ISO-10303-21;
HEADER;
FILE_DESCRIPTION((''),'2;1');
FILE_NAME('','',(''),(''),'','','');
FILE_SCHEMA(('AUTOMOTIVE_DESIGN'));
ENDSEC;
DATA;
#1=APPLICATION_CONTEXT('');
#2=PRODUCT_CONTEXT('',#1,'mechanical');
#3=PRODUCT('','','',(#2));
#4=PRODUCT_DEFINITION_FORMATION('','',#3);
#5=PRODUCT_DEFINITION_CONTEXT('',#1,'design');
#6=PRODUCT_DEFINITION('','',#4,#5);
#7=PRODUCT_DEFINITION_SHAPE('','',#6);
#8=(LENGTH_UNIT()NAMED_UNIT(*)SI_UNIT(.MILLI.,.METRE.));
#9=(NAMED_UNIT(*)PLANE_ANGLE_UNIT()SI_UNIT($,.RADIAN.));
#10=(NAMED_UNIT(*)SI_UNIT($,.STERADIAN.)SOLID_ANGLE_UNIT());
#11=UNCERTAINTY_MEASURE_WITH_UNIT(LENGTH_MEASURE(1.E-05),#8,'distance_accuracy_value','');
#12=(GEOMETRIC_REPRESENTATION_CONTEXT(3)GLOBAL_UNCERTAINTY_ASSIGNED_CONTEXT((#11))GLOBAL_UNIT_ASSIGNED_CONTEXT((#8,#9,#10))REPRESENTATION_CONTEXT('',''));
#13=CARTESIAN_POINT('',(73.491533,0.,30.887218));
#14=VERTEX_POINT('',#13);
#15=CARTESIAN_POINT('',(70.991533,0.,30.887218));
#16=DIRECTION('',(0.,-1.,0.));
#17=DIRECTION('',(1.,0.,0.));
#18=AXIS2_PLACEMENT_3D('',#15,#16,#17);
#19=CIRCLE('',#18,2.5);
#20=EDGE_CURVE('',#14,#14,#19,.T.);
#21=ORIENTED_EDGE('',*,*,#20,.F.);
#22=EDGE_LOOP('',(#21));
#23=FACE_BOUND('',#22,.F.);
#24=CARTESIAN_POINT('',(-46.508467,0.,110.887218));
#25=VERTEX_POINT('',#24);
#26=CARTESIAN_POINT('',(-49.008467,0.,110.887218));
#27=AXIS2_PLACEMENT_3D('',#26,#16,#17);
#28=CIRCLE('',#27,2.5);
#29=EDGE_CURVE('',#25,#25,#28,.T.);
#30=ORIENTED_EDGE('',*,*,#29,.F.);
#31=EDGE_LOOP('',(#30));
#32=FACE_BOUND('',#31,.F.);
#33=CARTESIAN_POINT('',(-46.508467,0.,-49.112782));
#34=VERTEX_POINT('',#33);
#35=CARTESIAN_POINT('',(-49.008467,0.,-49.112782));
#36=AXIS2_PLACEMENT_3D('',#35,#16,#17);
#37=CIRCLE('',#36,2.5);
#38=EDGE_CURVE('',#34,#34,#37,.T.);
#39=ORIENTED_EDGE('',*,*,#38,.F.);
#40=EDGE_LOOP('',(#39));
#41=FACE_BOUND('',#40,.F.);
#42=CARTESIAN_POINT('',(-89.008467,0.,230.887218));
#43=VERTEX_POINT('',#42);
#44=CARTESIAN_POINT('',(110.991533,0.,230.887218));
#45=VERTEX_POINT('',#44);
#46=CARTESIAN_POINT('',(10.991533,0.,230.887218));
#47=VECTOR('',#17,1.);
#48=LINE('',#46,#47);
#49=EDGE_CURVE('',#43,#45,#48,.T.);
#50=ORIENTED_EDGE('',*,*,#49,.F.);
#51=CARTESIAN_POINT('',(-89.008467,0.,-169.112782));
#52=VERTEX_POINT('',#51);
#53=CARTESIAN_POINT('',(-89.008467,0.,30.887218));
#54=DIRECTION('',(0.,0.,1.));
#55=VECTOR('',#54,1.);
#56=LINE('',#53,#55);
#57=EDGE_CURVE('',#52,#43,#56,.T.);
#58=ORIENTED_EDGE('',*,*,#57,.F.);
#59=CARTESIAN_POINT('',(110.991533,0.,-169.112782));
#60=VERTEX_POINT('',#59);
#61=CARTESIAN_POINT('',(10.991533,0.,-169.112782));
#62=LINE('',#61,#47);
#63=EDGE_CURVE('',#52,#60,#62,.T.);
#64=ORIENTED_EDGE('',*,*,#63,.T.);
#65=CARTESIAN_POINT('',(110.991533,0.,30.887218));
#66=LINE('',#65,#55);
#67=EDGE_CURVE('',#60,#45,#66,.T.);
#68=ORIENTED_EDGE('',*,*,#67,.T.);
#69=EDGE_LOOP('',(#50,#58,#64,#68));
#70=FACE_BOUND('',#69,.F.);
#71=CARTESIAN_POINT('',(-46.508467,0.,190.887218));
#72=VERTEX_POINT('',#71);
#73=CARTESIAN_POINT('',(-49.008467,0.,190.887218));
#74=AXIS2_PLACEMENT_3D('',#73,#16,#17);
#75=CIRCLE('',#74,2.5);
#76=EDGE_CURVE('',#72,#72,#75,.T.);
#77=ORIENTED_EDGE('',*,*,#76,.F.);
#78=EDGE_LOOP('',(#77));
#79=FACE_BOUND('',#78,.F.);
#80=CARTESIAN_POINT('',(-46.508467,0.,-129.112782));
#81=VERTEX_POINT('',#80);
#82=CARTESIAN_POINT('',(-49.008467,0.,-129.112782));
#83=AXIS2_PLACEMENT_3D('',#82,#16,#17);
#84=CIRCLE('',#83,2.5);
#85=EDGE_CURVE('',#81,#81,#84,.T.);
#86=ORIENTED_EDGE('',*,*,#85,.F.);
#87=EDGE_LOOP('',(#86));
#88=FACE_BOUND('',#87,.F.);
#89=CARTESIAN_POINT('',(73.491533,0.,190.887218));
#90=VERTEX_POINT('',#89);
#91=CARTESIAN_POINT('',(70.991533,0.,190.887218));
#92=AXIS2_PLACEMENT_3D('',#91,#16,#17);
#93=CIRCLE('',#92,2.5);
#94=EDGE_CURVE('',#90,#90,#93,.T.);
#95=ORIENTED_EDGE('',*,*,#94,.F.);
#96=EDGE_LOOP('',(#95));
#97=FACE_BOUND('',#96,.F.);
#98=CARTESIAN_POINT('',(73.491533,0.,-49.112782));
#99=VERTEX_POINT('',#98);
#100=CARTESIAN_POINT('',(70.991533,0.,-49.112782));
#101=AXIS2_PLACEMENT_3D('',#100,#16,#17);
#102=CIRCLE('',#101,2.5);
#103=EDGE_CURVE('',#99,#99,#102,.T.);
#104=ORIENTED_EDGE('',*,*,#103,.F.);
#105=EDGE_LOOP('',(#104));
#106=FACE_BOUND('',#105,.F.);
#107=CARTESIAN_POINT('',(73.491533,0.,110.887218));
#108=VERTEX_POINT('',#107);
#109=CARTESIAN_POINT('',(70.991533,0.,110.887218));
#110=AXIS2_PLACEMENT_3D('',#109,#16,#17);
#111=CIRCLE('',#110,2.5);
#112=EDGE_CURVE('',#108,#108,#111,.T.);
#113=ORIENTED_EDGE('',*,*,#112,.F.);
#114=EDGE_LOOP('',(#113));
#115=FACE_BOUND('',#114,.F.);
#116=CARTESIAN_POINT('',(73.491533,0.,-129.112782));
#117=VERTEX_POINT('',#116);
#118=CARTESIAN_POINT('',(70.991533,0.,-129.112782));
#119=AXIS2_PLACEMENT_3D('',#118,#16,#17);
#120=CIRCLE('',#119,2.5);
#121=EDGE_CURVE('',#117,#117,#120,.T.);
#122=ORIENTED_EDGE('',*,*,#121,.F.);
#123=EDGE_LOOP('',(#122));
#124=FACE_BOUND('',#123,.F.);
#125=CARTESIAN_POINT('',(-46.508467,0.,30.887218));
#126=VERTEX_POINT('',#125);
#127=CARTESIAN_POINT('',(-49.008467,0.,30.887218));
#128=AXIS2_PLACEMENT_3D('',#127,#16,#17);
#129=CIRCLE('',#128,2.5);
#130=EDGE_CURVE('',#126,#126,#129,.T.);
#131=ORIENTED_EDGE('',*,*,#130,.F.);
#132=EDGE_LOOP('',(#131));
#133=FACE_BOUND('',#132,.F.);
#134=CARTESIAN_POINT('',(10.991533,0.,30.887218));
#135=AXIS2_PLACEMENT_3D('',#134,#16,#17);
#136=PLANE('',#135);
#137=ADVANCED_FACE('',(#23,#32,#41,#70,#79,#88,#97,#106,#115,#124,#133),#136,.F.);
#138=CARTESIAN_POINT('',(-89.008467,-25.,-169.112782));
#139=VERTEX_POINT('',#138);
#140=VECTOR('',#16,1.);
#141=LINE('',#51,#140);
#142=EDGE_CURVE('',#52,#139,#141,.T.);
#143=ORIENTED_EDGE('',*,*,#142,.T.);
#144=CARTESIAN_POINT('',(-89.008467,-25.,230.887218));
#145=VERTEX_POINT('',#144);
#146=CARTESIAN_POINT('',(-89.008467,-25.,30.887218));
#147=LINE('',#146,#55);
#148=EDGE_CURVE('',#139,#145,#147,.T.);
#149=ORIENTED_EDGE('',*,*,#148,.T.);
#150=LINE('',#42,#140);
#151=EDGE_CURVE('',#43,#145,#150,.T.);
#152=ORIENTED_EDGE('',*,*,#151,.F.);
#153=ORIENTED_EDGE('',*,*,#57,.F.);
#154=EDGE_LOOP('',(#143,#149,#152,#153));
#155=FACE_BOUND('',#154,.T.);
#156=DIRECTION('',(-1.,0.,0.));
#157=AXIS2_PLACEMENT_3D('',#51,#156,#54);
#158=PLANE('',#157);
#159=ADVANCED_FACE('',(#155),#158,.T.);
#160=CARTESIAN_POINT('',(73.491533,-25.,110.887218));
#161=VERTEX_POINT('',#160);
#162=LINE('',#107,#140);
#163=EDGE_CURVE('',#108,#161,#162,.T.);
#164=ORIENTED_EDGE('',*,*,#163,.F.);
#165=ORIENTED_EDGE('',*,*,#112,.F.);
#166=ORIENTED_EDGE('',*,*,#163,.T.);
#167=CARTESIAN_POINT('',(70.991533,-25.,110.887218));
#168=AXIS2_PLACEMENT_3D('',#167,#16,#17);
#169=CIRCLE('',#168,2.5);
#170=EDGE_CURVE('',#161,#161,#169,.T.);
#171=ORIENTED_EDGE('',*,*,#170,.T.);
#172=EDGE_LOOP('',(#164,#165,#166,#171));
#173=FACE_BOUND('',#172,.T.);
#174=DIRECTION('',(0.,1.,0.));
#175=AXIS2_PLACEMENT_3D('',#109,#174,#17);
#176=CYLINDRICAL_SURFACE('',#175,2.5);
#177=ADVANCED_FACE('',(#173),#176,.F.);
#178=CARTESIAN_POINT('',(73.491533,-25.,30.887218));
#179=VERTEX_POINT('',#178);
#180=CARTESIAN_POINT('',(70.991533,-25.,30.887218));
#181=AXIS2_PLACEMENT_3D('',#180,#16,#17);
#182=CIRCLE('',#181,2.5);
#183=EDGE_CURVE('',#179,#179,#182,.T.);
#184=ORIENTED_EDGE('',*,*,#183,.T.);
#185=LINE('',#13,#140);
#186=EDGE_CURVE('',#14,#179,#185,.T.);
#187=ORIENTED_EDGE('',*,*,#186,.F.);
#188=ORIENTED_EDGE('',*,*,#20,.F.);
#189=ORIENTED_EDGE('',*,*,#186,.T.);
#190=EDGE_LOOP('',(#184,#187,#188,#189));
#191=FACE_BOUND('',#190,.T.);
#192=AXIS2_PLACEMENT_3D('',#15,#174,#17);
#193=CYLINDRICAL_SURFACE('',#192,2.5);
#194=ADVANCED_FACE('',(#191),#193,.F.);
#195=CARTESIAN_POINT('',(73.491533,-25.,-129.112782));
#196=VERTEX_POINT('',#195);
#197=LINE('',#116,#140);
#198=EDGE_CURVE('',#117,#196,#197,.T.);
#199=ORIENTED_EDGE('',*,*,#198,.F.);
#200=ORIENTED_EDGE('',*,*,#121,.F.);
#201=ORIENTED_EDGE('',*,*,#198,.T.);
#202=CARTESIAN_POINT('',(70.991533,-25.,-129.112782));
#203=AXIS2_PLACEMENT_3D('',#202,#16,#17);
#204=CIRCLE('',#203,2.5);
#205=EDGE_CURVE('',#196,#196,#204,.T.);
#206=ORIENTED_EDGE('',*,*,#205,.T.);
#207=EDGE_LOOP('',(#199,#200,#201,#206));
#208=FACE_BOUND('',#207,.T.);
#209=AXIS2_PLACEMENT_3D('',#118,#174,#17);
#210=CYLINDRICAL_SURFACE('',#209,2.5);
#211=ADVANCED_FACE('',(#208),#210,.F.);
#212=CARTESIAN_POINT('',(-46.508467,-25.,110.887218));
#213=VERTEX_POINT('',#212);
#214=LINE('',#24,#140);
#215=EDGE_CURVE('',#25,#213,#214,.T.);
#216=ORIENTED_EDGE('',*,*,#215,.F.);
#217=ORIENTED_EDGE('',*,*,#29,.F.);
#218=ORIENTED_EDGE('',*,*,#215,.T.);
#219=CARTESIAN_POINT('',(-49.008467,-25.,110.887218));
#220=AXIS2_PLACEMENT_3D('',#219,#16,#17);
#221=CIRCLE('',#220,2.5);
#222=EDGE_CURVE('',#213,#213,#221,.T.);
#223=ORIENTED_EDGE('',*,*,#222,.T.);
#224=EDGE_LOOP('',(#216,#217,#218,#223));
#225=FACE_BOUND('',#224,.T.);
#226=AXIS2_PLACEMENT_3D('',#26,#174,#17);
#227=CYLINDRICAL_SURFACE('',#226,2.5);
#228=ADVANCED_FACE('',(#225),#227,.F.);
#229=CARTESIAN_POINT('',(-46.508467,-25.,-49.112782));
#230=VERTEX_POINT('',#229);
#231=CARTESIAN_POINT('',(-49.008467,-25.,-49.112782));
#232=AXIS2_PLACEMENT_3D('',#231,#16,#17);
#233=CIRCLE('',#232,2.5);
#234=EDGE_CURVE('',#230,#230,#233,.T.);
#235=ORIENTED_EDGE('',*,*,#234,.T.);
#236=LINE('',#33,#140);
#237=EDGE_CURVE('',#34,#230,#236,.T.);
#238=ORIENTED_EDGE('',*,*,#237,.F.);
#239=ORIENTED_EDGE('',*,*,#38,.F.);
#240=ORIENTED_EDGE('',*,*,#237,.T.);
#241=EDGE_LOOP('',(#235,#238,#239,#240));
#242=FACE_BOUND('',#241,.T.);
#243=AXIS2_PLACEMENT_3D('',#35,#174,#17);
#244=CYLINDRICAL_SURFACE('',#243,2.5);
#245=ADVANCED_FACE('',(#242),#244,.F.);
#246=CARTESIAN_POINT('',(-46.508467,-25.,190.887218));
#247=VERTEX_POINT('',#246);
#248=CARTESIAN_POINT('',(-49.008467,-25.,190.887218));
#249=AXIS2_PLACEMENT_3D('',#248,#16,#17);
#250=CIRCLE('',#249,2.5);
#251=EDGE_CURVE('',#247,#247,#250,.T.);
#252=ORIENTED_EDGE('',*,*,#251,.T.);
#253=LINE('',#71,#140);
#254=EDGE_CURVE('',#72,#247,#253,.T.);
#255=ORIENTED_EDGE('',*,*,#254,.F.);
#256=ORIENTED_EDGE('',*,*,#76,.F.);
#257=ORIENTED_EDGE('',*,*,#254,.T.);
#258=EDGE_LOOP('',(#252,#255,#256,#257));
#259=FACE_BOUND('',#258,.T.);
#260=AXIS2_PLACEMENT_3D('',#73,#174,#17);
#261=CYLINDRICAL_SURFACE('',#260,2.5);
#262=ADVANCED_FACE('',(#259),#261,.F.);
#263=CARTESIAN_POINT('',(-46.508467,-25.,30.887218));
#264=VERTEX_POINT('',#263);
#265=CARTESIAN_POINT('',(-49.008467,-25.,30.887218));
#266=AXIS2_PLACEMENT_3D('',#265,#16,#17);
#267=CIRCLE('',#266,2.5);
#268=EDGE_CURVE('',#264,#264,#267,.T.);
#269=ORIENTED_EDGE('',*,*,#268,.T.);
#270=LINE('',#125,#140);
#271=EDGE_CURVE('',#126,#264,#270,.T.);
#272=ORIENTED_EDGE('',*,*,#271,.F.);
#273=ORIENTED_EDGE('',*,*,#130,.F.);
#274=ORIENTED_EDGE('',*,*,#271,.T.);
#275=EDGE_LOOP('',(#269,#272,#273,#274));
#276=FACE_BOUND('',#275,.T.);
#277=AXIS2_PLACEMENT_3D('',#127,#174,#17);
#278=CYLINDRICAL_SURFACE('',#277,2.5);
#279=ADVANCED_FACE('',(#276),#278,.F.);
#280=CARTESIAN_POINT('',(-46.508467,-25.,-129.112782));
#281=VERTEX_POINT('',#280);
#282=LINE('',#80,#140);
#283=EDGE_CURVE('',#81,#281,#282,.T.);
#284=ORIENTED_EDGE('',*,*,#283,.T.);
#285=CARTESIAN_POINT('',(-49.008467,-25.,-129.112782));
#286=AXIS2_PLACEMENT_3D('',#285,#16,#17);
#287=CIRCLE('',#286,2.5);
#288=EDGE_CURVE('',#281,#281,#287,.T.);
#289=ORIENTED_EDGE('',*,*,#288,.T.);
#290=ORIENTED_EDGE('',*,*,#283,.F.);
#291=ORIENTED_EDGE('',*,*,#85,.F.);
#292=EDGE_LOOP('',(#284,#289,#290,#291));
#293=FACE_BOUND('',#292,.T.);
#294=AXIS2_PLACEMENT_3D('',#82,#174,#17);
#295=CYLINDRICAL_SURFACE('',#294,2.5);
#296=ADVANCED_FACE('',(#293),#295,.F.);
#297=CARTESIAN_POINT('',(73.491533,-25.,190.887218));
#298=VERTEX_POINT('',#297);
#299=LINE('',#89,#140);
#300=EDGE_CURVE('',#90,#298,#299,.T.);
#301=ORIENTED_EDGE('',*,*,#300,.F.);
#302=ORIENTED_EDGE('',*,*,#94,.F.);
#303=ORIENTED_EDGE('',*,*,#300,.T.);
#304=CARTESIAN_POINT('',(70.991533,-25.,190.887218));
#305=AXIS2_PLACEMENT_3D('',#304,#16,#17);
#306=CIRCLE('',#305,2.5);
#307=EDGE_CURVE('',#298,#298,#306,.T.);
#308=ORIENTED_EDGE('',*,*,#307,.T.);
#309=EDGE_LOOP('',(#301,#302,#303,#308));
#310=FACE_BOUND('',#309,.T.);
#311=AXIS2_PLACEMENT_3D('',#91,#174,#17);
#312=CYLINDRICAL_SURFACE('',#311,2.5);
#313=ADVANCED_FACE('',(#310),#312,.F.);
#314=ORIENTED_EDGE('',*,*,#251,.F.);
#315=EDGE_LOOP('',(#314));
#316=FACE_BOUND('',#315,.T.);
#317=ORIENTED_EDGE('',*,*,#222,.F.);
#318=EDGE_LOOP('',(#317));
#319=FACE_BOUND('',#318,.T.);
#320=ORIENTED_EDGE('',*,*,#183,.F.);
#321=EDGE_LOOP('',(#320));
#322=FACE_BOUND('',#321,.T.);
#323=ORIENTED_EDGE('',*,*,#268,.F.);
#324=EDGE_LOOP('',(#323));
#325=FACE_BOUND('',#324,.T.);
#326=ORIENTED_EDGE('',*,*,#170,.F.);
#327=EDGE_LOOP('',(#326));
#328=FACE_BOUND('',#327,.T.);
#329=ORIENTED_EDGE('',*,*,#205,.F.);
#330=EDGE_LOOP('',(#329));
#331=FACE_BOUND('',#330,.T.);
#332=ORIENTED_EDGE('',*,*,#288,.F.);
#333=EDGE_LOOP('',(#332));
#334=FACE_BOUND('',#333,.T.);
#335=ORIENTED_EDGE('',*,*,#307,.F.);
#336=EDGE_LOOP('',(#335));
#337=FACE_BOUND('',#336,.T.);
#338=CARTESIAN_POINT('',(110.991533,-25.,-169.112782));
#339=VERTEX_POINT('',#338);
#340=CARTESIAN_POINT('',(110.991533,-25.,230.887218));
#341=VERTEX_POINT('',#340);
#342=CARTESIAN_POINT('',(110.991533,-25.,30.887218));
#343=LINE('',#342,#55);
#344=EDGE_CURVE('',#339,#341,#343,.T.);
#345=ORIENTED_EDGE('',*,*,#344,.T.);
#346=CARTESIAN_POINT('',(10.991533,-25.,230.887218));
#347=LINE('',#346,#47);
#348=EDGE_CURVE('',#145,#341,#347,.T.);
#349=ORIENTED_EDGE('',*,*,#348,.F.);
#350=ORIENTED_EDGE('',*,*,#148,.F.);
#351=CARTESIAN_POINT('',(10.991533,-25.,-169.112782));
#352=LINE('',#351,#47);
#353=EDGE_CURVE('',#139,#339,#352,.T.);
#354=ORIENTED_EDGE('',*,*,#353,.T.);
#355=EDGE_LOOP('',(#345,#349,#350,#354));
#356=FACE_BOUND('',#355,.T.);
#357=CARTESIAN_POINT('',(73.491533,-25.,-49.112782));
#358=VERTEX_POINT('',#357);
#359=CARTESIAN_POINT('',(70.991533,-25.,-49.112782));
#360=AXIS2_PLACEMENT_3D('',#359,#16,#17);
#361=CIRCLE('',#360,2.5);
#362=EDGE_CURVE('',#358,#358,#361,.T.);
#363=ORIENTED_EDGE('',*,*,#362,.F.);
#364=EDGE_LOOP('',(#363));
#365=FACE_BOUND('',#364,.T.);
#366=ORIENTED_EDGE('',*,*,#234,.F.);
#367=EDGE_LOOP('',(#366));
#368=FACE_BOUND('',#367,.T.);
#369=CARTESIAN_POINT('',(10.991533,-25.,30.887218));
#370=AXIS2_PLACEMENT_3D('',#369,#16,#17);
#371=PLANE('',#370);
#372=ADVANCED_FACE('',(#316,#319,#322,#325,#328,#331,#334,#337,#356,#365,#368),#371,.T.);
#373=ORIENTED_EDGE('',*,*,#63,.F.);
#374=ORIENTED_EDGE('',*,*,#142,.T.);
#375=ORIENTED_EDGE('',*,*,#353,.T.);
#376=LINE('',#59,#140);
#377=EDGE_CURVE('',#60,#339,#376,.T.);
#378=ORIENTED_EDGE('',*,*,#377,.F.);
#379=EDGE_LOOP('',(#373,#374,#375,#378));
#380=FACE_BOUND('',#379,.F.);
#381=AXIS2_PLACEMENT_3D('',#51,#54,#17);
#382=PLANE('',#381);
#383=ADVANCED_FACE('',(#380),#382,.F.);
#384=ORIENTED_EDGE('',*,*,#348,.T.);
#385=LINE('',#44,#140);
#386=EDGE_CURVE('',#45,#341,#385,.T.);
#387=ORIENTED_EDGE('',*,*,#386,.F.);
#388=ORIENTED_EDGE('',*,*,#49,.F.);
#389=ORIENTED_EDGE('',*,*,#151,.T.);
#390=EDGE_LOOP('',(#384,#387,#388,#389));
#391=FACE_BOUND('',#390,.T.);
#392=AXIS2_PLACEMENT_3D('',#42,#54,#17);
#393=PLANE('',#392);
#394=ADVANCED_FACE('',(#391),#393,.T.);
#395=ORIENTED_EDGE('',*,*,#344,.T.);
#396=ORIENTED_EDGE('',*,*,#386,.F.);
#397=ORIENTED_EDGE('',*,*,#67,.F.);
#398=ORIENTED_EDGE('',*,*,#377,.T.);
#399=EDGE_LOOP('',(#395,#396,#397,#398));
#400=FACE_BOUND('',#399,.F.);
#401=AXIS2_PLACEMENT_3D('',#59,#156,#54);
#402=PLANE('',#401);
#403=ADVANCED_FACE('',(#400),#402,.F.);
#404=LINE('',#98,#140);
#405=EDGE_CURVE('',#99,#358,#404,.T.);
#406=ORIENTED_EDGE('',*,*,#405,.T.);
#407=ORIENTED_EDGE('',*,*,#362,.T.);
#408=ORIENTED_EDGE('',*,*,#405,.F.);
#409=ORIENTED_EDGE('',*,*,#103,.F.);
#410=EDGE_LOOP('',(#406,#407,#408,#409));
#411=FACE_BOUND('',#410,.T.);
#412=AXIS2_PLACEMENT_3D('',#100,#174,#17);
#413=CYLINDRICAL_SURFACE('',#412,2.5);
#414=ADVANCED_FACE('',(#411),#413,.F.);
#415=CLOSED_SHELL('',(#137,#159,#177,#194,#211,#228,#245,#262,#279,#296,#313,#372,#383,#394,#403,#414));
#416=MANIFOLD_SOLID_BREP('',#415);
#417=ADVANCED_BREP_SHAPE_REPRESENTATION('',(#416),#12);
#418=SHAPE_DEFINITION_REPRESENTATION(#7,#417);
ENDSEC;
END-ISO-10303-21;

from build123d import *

# Parameters (mm, degrees)
F0_W     = 200
F0_H     = 400
F0_R     = 2.5
F1_DEPTH = 25


with BuildPart() as f1:
    # F0 (on Front) → F1 (new body)
    with BuildSketch(Plane.XZ):
        with Locations((10.991533, 30.887218)):
            Rectangle(F0_W, F0_H)
        with Locations((-49.008467, -129.112782)):
            Circle(F0_R, mode=Mode.SUBTRACT)
        with Locations((-49.008467, -49.112782)):
            Circle(F0_R, mode=Mode.SUBTRACT)
        with Locations((70.991533, -129.112782)):
            Circle(F0_R, mode=Mode.SUBTRACT)
        with Locations((70.991533, -49.112782)):
            Circle(F0_R, mode=Mode.SUBTRACT)
        with Locations((-49.008467, 30.887218)):
            Circle(F0_R, mode=Mode.SUBTRACT)
        with Locations((-49.008467, 110.887218)):
            Circle(F0_R, mode=Mode.SUBTRACT)
        with Locations((-49.008467, 190.887218)):
            Circle(F0_R, mode=Mode.SUBTRACT)
        with Locations((70.991533, 30.887218)):
            Circle(F0_R, mode=Mode.SUBTRACT)
        with Locations((70.991533, 110.887218)):
            Circle(F0_R, mode=Mode.SUBTRACT)
        with Locations((70.991533, 190.887218)):
            Circle(F0_R, mode=Mode.SUBTRACT)
    extrude(amount=F1_DEPTH)


solid = f1.part
